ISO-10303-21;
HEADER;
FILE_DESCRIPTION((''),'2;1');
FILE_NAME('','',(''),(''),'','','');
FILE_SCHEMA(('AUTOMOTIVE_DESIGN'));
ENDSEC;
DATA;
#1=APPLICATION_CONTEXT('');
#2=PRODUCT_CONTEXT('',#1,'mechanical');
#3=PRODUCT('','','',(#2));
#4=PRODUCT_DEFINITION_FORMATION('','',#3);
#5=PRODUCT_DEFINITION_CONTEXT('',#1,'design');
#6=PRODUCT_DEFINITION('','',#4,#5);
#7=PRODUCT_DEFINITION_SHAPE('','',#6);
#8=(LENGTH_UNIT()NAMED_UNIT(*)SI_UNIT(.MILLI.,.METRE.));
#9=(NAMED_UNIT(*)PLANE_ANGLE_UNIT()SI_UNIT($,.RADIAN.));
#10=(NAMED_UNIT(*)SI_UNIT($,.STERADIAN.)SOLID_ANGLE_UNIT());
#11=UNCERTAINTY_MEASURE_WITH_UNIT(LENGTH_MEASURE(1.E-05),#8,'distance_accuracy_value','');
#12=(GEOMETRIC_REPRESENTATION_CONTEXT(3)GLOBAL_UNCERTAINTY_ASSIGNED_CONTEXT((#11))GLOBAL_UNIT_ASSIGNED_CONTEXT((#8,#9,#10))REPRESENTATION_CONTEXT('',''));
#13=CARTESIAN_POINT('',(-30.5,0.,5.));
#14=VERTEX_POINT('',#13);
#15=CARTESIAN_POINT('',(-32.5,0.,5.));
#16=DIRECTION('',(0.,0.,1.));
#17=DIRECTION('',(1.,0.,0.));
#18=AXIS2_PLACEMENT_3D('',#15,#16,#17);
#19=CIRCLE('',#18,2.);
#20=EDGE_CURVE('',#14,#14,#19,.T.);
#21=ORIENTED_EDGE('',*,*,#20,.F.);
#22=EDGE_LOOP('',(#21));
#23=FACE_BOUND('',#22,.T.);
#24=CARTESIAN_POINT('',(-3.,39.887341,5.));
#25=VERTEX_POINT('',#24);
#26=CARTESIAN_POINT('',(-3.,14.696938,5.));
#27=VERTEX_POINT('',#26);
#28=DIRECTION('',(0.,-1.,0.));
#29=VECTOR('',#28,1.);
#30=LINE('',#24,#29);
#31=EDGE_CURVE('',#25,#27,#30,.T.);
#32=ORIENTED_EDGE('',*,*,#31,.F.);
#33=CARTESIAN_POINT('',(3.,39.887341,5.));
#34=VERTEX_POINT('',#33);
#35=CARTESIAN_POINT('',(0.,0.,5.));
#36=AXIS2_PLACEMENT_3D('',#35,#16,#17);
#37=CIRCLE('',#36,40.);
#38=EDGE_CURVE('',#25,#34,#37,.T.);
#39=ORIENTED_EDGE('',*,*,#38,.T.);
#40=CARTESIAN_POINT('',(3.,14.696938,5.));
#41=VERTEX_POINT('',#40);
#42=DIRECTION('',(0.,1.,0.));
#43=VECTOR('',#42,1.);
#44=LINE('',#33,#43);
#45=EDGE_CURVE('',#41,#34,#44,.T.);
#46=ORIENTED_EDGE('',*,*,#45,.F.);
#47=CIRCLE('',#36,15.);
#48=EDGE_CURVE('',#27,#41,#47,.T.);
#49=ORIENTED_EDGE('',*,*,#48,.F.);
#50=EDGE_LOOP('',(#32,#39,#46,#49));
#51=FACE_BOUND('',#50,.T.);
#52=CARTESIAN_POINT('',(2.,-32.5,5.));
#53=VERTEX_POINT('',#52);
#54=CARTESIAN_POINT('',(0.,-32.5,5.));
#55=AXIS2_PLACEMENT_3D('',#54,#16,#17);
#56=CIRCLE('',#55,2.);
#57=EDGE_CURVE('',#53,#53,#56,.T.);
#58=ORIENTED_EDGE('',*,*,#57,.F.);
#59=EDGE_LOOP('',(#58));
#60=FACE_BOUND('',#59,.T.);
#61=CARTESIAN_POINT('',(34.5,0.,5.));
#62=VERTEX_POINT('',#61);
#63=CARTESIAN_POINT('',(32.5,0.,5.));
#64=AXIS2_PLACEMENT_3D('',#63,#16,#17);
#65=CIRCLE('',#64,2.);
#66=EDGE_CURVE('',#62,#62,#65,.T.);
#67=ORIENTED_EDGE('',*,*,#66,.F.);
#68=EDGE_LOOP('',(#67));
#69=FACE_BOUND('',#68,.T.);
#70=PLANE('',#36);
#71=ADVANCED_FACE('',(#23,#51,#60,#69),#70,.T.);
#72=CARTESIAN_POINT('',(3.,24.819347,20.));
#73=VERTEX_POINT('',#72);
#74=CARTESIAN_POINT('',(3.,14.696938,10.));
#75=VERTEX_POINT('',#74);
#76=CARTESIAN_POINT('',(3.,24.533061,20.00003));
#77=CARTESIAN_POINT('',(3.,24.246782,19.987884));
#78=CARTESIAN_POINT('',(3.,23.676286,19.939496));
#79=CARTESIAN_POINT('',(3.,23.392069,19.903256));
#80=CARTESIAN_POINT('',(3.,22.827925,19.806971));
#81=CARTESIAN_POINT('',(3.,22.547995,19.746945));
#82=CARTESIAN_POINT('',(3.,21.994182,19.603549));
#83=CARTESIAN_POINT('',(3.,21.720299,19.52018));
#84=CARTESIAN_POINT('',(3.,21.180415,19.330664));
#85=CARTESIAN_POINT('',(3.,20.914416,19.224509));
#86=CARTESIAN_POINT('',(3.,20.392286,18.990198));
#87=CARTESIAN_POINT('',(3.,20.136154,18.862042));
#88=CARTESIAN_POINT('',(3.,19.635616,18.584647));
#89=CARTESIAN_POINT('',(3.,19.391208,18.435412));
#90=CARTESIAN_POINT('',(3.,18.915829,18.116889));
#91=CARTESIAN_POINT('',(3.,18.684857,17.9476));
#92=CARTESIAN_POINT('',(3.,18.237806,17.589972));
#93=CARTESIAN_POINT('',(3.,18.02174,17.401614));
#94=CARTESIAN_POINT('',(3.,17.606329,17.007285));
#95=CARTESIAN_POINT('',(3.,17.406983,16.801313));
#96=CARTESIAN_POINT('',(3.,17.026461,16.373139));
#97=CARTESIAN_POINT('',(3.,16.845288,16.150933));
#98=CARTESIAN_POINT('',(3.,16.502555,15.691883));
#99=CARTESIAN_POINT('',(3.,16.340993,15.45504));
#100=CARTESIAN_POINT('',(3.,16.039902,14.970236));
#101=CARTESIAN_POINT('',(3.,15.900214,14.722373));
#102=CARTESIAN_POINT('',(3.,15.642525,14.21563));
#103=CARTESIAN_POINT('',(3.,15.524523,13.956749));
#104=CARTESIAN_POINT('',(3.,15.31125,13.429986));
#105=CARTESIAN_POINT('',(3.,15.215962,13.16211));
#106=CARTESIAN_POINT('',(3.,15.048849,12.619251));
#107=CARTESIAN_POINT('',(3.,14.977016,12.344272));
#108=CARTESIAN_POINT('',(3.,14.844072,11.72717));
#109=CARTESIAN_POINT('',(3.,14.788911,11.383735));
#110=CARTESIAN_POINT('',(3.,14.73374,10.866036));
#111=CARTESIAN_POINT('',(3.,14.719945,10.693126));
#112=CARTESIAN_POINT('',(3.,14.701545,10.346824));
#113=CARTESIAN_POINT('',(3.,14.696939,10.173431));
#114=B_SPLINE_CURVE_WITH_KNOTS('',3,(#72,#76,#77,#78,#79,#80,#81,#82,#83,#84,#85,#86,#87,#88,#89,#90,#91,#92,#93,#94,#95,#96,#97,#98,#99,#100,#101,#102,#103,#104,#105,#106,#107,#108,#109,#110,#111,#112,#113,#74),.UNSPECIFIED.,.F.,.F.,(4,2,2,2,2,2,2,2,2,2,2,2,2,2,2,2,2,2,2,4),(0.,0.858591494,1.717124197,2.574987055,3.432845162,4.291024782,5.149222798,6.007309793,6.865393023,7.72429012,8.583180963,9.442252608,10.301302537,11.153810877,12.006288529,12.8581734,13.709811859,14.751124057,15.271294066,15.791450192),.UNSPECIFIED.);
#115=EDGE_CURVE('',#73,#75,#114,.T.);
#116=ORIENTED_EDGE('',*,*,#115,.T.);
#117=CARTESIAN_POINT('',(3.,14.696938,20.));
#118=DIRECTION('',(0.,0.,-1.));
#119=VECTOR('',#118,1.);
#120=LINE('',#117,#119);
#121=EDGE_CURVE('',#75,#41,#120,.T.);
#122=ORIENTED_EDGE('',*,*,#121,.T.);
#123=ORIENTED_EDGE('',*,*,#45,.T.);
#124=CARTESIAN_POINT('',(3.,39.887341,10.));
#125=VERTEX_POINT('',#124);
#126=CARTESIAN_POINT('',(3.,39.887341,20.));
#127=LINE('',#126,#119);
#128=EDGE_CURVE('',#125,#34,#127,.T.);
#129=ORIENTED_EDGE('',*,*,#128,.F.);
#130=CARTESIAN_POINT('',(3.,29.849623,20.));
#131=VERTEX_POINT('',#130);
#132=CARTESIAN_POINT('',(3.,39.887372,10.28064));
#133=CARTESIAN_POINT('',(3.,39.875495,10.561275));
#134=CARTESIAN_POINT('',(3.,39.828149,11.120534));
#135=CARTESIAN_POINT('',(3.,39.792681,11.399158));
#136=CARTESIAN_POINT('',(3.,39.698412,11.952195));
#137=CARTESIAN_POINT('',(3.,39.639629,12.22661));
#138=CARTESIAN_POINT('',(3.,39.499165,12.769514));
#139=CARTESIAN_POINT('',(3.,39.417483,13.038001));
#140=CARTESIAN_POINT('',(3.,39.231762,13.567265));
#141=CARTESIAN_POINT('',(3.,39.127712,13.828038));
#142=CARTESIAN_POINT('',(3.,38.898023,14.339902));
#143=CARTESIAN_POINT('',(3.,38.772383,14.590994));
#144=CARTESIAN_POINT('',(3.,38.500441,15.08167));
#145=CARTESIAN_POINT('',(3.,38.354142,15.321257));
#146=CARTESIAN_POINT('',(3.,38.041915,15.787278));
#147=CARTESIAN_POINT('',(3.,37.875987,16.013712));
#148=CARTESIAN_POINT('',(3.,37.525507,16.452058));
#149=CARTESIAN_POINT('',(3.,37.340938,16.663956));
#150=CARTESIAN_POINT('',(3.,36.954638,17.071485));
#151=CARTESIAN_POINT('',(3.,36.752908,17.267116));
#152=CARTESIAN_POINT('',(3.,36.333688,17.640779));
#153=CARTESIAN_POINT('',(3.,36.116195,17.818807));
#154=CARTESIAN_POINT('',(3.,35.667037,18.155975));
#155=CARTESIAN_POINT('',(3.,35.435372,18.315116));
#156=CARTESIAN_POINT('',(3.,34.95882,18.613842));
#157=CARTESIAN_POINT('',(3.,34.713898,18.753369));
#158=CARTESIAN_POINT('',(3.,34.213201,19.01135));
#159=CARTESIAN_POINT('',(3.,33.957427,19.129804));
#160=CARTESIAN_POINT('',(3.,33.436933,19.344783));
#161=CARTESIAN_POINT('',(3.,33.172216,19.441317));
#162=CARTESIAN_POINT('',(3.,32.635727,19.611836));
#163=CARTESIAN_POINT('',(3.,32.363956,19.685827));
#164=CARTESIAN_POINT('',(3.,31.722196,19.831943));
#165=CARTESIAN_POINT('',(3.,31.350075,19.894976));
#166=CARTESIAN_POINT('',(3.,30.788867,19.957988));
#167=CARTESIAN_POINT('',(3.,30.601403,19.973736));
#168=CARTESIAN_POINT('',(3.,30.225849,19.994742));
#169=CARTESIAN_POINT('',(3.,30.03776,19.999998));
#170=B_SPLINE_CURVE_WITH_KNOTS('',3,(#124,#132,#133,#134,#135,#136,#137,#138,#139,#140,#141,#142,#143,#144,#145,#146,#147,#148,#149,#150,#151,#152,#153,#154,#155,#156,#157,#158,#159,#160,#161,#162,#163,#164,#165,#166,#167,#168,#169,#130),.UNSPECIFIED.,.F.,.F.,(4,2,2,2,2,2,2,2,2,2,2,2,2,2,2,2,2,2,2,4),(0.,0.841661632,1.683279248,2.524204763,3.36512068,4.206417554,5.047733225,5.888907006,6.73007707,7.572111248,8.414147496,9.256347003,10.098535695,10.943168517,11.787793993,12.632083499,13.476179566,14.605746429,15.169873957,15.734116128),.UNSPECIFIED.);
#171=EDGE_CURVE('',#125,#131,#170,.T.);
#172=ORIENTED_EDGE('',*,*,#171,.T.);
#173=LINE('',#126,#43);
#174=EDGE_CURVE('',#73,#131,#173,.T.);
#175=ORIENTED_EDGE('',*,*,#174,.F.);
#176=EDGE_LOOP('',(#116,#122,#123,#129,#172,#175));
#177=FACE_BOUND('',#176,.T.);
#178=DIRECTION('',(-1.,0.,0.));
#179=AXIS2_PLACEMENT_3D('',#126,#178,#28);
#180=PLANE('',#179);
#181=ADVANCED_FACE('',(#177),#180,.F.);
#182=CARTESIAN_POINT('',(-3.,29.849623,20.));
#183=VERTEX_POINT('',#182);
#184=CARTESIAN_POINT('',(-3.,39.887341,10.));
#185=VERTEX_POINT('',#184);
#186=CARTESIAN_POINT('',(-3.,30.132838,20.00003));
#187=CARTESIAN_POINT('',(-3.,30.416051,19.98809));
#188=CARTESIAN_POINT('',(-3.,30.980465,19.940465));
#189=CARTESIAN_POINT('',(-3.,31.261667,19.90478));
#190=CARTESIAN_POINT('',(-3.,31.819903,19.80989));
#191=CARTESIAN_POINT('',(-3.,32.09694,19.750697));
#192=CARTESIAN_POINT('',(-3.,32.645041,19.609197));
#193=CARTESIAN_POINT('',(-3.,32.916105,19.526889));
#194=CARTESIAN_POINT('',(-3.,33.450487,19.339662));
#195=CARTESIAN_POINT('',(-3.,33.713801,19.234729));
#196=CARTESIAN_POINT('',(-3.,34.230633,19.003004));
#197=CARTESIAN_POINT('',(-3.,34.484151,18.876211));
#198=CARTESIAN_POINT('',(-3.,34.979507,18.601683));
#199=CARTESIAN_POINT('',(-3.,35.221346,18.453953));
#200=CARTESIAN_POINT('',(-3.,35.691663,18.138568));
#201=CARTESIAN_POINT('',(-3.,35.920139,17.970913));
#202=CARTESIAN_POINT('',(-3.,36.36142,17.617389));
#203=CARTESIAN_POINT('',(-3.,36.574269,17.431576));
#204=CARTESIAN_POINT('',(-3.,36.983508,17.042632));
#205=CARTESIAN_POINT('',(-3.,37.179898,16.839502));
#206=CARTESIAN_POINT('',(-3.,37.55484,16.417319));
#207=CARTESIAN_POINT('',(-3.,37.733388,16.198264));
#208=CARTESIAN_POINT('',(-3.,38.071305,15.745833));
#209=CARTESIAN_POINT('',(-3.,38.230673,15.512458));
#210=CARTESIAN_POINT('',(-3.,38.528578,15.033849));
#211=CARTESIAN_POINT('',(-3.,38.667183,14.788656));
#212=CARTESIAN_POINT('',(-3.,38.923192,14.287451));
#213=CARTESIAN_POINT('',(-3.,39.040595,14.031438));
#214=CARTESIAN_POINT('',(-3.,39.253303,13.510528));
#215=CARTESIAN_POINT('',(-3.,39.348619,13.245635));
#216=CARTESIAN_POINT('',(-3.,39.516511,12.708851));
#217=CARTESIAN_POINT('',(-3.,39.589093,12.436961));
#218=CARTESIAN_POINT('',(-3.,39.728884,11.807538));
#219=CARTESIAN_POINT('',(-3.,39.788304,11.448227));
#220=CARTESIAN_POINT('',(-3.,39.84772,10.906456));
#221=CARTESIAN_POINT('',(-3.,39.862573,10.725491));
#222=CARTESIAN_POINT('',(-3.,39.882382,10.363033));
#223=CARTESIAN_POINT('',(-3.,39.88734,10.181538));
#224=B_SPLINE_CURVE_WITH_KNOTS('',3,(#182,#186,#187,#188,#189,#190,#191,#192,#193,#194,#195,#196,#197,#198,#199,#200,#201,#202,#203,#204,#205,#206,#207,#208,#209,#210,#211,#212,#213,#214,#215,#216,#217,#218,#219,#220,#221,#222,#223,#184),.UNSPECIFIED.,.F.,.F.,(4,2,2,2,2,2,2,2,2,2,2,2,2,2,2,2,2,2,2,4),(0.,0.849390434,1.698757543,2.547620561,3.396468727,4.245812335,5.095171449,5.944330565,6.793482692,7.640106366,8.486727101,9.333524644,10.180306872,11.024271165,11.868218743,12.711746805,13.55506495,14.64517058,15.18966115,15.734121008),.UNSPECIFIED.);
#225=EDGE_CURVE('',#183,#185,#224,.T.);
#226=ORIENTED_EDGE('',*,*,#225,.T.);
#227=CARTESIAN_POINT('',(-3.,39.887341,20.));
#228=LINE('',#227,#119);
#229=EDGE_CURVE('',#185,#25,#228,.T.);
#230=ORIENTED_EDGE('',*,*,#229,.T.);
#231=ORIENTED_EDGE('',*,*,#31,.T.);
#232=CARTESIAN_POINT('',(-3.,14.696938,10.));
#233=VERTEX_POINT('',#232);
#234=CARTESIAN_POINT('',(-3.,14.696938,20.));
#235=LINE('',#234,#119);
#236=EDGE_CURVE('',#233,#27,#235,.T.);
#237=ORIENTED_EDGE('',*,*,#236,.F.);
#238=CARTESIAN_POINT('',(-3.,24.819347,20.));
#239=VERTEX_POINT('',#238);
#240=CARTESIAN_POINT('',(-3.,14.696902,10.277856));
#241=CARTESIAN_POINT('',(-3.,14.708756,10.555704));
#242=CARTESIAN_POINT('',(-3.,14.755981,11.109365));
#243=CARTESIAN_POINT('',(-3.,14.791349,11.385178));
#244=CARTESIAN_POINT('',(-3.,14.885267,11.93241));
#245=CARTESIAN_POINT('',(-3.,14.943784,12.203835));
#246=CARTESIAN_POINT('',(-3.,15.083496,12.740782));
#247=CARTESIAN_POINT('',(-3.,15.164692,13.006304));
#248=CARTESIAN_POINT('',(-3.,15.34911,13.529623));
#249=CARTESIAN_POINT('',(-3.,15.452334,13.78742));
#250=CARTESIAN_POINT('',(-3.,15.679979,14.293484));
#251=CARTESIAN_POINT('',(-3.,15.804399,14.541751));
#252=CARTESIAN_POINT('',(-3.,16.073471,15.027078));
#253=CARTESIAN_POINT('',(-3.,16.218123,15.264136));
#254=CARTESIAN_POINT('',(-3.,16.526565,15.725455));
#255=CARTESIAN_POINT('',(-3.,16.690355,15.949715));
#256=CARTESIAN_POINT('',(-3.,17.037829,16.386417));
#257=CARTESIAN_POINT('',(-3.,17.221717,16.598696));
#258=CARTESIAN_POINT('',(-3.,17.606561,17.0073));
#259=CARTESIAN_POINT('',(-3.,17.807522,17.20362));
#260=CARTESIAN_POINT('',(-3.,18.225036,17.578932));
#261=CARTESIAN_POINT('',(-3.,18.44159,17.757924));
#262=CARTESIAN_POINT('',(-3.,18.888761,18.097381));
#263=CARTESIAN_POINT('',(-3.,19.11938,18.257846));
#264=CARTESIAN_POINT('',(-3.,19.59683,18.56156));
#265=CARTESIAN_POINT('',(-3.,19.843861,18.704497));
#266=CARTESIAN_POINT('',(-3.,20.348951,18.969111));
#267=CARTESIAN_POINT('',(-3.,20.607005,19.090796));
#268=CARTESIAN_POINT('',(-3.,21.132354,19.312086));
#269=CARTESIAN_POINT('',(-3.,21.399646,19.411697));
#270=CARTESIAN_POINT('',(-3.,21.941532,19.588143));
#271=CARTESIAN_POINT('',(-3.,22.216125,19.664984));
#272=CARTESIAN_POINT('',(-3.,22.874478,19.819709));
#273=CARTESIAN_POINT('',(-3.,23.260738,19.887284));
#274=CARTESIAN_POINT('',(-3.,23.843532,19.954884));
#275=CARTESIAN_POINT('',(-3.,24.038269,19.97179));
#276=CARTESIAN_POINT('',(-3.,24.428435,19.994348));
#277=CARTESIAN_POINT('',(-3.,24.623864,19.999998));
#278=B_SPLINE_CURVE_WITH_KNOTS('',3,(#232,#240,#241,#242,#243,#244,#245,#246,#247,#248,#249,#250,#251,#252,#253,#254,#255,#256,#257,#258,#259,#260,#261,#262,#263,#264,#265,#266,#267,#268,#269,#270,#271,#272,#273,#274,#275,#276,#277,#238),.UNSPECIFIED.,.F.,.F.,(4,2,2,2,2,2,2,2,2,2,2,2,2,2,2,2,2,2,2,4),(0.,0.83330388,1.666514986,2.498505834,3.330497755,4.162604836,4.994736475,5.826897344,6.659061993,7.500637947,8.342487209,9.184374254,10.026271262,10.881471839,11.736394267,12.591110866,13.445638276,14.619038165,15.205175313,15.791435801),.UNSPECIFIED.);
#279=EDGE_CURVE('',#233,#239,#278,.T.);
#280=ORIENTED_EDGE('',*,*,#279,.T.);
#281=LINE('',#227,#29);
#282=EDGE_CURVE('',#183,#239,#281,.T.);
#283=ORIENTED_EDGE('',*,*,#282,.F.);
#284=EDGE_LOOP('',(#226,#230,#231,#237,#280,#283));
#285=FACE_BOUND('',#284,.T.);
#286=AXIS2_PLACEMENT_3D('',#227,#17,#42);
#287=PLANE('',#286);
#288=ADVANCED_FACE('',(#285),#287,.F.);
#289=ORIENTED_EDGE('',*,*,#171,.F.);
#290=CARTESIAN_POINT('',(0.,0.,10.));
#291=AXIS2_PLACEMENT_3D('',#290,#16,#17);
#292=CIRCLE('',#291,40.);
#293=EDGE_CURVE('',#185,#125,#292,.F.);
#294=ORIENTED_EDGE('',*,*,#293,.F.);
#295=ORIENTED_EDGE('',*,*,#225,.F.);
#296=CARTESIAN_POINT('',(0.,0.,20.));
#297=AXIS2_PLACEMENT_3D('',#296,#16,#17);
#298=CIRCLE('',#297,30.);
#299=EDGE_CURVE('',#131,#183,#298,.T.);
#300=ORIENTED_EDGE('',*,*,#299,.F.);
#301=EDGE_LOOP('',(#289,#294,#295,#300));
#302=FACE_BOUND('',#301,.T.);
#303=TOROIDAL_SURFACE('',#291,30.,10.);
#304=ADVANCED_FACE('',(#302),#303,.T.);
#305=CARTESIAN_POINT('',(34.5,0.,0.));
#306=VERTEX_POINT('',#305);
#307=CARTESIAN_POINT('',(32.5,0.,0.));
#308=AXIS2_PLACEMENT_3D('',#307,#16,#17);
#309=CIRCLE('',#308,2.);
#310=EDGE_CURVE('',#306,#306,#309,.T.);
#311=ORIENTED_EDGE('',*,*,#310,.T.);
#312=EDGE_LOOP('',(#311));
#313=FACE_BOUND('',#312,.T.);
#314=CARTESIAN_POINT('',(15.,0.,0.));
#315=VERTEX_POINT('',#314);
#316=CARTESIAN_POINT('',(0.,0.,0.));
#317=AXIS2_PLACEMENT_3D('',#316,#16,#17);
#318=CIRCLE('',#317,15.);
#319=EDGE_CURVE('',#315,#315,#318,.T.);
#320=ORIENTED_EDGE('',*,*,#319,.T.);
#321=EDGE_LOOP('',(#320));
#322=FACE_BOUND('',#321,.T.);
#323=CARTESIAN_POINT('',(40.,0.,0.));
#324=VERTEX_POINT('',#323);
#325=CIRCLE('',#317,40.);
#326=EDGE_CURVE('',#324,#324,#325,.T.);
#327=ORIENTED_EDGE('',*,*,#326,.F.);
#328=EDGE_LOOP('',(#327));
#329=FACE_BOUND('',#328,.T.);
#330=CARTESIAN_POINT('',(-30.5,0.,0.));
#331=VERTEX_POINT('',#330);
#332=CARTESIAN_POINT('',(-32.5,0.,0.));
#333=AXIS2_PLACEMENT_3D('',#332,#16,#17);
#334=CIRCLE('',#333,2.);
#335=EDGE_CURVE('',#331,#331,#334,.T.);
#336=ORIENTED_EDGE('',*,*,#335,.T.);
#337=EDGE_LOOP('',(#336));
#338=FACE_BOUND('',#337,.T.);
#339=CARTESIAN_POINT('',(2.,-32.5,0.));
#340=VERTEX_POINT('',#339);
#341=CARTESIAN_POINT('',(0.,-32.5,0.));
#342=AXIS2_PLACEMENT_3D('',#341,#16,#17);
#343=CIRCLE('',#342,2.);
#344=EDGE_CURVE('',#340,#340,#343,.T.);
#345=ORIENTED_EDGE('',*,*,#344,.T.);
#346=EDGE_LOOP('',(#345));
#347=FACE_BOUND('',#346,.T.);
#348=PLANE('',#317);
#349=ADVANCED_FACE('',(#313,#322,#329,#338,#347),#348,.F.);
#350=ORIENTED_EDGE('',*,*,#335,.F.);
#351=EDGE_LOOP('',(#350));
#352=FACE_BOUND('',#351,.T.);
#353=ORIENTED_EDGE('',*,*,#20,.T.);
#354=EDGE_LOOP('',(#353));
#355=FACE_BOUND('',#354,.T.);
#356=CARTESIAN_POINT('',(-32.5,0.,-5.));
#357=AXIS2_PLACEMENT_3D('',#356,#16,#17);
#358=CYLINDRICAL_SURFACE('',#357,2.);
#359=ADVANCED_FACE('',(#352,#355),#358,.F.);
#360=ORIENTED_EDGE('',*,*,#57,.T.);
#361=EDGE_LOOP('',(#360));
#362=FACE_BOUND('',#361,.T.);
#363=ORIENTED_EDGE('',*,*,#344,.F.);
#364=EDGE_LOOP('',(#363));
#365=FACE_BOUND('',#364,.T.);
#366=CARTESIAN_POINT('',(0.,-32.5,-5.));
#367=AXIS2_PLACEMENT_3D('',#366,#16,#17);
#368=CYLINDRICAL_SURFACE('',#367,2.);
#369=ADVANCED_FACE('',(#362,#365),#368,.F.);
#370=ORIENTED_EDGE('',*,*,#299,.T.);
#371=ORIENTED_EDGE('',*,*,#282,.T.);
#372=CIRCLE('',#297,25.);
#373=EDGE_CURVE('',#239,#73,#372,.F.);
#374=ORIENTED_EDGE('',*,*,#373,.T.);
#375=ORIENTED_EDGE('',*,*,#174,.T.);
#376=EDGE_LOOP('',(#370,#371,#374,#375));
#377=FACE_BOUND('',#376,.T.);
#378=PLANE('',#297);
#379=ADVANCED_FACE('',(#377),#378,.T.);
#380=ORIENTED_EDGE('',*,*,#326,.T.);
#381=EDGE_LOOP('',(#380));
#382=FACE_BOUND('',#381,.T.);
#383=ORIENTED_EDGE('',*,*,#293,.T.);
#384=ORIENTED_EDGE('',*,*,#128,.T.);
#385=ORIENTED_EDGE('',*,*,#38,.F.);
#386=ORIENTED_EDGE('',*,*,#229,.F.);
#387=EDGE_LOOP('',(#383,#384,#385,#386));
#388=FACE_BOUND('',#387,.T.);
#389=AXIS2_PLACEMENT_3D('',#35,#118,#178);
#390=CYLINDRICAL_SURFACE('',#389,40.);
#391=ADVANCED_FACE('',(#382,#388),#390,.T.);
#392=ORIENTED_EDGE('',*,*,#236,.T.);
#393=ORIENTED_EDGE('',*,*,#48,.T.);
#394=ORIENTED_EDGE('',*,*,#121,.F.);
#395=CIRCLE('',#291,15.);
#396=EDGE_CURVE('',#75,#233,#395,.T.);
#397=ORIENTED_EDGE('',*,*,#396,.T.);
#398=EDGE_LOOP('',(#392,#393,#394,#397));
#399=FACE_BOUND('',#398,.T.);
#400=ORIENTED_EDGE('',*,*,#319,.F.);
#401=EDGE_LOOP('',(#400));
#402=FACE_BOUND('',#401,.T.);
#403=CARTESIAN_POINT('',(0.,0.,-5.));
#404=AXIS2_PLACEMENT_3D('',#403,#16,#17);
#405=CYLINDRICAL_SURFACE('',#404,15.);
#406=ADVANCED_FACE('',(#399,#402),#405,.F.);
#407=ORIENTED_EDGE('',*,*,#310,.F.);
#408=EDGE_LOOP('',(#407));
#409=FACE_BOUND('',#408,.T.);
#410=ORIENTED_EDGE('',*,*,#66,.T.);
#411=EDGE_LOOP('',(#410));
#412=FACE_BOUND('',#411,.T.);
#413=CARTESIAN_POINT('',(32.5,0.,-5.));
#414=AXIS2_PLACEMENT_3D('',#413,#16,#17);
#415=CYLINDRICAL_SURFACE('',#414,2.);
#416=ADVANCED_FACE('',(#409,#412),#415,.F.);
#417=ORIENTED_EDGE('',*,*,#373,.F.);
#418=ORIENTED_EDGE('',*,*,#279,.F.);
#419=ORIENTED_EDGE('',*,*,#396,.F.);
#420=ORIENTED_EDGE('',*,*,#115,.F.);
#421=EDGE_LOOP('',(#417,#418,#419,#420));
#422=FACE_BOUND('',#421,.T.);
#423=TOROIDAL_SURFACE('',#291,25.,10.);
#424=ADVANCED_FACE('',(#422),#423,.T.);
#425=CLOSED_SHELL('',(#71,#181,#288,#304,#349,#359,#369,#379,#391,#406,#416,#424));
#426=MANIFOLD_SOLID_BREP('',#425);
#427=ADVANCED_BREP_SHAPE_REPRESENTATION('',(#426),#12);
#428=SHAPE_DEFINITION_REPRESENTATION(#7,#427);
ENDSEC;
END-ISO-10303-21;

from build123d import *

# Parameters (mm, degrees)
SKETCH_1_R          = 40
EXTRUDE_1_DEPTH     = 5
SKETCH_3_R          = 15
CUT_EXTRUDE_1_DEPTH = 10
SKETCH_4_R          = 2
CUT_EXTRUDE_2_DEPTH = 10
EXTRUDE_2_DEPTH     = 15
FILLET_1_R          = 10


with BuildPart() as part:
    # 草图1 → 凸台-拉伸1 (new body)
    with BuildSketch(Plane.XY):
        Circle(SKETCH_1_R)
    extrude(amount=EXTRUDE_1_DEPTH)

    # 草图3 → 切除-拉伸1 (cut)
    with BuildSketch(Plane.XY.offset(5)):
        Circle(SKETCH_3_R)
    extrude(amount=-CUT_EXTRUDE_1_DEPTH, mode=Mode.SUBTRACT)

    # 草图4 → 切除-拉伸2 (cut)
    with BuildSketch(Plane.XY.offset(5)):
        with Locations((0, -32.5)):
            Circle(SKETCH_4_R)
        with Locations((32.5, 0)):
            Circle(SKETCH_4_R)
        with Locations((-32.5, 0)):
            Circle(SKETCH_4_R)
    extrude(amount=-CUT_EXTRUDE_2_DEPTH, mode=Mode.SUBTRACT)

    # 草图5 → 凸台-拉伸2 (add)
    with BuildSketch(Plane.XY.offset(5)):
        with BuildLine():
            Line((-3, 39.88734135), (-3, 14.696938457))
            ThreePointArc((-3, 14.696938457), (0, 15), (3, 14.696938457))
            Line((3, 14.696938457), (3, 39.88734135))
            ThreePointArc((3, 39.88734135), (0, 40), (-3, 39.88734135))
        make_face()
    extrude(amount=EXTRUDE_2_DEPTH)

    # 圆角1
    fillet_1_edges = [part.edges().sort_by_distance(p)[0] for p in [
        (0, 40, 20),
        (0, 15, 20),
    ]]
    fillet(fillet_1_edges, radius=FILLET_1_R)


solid = part.part
